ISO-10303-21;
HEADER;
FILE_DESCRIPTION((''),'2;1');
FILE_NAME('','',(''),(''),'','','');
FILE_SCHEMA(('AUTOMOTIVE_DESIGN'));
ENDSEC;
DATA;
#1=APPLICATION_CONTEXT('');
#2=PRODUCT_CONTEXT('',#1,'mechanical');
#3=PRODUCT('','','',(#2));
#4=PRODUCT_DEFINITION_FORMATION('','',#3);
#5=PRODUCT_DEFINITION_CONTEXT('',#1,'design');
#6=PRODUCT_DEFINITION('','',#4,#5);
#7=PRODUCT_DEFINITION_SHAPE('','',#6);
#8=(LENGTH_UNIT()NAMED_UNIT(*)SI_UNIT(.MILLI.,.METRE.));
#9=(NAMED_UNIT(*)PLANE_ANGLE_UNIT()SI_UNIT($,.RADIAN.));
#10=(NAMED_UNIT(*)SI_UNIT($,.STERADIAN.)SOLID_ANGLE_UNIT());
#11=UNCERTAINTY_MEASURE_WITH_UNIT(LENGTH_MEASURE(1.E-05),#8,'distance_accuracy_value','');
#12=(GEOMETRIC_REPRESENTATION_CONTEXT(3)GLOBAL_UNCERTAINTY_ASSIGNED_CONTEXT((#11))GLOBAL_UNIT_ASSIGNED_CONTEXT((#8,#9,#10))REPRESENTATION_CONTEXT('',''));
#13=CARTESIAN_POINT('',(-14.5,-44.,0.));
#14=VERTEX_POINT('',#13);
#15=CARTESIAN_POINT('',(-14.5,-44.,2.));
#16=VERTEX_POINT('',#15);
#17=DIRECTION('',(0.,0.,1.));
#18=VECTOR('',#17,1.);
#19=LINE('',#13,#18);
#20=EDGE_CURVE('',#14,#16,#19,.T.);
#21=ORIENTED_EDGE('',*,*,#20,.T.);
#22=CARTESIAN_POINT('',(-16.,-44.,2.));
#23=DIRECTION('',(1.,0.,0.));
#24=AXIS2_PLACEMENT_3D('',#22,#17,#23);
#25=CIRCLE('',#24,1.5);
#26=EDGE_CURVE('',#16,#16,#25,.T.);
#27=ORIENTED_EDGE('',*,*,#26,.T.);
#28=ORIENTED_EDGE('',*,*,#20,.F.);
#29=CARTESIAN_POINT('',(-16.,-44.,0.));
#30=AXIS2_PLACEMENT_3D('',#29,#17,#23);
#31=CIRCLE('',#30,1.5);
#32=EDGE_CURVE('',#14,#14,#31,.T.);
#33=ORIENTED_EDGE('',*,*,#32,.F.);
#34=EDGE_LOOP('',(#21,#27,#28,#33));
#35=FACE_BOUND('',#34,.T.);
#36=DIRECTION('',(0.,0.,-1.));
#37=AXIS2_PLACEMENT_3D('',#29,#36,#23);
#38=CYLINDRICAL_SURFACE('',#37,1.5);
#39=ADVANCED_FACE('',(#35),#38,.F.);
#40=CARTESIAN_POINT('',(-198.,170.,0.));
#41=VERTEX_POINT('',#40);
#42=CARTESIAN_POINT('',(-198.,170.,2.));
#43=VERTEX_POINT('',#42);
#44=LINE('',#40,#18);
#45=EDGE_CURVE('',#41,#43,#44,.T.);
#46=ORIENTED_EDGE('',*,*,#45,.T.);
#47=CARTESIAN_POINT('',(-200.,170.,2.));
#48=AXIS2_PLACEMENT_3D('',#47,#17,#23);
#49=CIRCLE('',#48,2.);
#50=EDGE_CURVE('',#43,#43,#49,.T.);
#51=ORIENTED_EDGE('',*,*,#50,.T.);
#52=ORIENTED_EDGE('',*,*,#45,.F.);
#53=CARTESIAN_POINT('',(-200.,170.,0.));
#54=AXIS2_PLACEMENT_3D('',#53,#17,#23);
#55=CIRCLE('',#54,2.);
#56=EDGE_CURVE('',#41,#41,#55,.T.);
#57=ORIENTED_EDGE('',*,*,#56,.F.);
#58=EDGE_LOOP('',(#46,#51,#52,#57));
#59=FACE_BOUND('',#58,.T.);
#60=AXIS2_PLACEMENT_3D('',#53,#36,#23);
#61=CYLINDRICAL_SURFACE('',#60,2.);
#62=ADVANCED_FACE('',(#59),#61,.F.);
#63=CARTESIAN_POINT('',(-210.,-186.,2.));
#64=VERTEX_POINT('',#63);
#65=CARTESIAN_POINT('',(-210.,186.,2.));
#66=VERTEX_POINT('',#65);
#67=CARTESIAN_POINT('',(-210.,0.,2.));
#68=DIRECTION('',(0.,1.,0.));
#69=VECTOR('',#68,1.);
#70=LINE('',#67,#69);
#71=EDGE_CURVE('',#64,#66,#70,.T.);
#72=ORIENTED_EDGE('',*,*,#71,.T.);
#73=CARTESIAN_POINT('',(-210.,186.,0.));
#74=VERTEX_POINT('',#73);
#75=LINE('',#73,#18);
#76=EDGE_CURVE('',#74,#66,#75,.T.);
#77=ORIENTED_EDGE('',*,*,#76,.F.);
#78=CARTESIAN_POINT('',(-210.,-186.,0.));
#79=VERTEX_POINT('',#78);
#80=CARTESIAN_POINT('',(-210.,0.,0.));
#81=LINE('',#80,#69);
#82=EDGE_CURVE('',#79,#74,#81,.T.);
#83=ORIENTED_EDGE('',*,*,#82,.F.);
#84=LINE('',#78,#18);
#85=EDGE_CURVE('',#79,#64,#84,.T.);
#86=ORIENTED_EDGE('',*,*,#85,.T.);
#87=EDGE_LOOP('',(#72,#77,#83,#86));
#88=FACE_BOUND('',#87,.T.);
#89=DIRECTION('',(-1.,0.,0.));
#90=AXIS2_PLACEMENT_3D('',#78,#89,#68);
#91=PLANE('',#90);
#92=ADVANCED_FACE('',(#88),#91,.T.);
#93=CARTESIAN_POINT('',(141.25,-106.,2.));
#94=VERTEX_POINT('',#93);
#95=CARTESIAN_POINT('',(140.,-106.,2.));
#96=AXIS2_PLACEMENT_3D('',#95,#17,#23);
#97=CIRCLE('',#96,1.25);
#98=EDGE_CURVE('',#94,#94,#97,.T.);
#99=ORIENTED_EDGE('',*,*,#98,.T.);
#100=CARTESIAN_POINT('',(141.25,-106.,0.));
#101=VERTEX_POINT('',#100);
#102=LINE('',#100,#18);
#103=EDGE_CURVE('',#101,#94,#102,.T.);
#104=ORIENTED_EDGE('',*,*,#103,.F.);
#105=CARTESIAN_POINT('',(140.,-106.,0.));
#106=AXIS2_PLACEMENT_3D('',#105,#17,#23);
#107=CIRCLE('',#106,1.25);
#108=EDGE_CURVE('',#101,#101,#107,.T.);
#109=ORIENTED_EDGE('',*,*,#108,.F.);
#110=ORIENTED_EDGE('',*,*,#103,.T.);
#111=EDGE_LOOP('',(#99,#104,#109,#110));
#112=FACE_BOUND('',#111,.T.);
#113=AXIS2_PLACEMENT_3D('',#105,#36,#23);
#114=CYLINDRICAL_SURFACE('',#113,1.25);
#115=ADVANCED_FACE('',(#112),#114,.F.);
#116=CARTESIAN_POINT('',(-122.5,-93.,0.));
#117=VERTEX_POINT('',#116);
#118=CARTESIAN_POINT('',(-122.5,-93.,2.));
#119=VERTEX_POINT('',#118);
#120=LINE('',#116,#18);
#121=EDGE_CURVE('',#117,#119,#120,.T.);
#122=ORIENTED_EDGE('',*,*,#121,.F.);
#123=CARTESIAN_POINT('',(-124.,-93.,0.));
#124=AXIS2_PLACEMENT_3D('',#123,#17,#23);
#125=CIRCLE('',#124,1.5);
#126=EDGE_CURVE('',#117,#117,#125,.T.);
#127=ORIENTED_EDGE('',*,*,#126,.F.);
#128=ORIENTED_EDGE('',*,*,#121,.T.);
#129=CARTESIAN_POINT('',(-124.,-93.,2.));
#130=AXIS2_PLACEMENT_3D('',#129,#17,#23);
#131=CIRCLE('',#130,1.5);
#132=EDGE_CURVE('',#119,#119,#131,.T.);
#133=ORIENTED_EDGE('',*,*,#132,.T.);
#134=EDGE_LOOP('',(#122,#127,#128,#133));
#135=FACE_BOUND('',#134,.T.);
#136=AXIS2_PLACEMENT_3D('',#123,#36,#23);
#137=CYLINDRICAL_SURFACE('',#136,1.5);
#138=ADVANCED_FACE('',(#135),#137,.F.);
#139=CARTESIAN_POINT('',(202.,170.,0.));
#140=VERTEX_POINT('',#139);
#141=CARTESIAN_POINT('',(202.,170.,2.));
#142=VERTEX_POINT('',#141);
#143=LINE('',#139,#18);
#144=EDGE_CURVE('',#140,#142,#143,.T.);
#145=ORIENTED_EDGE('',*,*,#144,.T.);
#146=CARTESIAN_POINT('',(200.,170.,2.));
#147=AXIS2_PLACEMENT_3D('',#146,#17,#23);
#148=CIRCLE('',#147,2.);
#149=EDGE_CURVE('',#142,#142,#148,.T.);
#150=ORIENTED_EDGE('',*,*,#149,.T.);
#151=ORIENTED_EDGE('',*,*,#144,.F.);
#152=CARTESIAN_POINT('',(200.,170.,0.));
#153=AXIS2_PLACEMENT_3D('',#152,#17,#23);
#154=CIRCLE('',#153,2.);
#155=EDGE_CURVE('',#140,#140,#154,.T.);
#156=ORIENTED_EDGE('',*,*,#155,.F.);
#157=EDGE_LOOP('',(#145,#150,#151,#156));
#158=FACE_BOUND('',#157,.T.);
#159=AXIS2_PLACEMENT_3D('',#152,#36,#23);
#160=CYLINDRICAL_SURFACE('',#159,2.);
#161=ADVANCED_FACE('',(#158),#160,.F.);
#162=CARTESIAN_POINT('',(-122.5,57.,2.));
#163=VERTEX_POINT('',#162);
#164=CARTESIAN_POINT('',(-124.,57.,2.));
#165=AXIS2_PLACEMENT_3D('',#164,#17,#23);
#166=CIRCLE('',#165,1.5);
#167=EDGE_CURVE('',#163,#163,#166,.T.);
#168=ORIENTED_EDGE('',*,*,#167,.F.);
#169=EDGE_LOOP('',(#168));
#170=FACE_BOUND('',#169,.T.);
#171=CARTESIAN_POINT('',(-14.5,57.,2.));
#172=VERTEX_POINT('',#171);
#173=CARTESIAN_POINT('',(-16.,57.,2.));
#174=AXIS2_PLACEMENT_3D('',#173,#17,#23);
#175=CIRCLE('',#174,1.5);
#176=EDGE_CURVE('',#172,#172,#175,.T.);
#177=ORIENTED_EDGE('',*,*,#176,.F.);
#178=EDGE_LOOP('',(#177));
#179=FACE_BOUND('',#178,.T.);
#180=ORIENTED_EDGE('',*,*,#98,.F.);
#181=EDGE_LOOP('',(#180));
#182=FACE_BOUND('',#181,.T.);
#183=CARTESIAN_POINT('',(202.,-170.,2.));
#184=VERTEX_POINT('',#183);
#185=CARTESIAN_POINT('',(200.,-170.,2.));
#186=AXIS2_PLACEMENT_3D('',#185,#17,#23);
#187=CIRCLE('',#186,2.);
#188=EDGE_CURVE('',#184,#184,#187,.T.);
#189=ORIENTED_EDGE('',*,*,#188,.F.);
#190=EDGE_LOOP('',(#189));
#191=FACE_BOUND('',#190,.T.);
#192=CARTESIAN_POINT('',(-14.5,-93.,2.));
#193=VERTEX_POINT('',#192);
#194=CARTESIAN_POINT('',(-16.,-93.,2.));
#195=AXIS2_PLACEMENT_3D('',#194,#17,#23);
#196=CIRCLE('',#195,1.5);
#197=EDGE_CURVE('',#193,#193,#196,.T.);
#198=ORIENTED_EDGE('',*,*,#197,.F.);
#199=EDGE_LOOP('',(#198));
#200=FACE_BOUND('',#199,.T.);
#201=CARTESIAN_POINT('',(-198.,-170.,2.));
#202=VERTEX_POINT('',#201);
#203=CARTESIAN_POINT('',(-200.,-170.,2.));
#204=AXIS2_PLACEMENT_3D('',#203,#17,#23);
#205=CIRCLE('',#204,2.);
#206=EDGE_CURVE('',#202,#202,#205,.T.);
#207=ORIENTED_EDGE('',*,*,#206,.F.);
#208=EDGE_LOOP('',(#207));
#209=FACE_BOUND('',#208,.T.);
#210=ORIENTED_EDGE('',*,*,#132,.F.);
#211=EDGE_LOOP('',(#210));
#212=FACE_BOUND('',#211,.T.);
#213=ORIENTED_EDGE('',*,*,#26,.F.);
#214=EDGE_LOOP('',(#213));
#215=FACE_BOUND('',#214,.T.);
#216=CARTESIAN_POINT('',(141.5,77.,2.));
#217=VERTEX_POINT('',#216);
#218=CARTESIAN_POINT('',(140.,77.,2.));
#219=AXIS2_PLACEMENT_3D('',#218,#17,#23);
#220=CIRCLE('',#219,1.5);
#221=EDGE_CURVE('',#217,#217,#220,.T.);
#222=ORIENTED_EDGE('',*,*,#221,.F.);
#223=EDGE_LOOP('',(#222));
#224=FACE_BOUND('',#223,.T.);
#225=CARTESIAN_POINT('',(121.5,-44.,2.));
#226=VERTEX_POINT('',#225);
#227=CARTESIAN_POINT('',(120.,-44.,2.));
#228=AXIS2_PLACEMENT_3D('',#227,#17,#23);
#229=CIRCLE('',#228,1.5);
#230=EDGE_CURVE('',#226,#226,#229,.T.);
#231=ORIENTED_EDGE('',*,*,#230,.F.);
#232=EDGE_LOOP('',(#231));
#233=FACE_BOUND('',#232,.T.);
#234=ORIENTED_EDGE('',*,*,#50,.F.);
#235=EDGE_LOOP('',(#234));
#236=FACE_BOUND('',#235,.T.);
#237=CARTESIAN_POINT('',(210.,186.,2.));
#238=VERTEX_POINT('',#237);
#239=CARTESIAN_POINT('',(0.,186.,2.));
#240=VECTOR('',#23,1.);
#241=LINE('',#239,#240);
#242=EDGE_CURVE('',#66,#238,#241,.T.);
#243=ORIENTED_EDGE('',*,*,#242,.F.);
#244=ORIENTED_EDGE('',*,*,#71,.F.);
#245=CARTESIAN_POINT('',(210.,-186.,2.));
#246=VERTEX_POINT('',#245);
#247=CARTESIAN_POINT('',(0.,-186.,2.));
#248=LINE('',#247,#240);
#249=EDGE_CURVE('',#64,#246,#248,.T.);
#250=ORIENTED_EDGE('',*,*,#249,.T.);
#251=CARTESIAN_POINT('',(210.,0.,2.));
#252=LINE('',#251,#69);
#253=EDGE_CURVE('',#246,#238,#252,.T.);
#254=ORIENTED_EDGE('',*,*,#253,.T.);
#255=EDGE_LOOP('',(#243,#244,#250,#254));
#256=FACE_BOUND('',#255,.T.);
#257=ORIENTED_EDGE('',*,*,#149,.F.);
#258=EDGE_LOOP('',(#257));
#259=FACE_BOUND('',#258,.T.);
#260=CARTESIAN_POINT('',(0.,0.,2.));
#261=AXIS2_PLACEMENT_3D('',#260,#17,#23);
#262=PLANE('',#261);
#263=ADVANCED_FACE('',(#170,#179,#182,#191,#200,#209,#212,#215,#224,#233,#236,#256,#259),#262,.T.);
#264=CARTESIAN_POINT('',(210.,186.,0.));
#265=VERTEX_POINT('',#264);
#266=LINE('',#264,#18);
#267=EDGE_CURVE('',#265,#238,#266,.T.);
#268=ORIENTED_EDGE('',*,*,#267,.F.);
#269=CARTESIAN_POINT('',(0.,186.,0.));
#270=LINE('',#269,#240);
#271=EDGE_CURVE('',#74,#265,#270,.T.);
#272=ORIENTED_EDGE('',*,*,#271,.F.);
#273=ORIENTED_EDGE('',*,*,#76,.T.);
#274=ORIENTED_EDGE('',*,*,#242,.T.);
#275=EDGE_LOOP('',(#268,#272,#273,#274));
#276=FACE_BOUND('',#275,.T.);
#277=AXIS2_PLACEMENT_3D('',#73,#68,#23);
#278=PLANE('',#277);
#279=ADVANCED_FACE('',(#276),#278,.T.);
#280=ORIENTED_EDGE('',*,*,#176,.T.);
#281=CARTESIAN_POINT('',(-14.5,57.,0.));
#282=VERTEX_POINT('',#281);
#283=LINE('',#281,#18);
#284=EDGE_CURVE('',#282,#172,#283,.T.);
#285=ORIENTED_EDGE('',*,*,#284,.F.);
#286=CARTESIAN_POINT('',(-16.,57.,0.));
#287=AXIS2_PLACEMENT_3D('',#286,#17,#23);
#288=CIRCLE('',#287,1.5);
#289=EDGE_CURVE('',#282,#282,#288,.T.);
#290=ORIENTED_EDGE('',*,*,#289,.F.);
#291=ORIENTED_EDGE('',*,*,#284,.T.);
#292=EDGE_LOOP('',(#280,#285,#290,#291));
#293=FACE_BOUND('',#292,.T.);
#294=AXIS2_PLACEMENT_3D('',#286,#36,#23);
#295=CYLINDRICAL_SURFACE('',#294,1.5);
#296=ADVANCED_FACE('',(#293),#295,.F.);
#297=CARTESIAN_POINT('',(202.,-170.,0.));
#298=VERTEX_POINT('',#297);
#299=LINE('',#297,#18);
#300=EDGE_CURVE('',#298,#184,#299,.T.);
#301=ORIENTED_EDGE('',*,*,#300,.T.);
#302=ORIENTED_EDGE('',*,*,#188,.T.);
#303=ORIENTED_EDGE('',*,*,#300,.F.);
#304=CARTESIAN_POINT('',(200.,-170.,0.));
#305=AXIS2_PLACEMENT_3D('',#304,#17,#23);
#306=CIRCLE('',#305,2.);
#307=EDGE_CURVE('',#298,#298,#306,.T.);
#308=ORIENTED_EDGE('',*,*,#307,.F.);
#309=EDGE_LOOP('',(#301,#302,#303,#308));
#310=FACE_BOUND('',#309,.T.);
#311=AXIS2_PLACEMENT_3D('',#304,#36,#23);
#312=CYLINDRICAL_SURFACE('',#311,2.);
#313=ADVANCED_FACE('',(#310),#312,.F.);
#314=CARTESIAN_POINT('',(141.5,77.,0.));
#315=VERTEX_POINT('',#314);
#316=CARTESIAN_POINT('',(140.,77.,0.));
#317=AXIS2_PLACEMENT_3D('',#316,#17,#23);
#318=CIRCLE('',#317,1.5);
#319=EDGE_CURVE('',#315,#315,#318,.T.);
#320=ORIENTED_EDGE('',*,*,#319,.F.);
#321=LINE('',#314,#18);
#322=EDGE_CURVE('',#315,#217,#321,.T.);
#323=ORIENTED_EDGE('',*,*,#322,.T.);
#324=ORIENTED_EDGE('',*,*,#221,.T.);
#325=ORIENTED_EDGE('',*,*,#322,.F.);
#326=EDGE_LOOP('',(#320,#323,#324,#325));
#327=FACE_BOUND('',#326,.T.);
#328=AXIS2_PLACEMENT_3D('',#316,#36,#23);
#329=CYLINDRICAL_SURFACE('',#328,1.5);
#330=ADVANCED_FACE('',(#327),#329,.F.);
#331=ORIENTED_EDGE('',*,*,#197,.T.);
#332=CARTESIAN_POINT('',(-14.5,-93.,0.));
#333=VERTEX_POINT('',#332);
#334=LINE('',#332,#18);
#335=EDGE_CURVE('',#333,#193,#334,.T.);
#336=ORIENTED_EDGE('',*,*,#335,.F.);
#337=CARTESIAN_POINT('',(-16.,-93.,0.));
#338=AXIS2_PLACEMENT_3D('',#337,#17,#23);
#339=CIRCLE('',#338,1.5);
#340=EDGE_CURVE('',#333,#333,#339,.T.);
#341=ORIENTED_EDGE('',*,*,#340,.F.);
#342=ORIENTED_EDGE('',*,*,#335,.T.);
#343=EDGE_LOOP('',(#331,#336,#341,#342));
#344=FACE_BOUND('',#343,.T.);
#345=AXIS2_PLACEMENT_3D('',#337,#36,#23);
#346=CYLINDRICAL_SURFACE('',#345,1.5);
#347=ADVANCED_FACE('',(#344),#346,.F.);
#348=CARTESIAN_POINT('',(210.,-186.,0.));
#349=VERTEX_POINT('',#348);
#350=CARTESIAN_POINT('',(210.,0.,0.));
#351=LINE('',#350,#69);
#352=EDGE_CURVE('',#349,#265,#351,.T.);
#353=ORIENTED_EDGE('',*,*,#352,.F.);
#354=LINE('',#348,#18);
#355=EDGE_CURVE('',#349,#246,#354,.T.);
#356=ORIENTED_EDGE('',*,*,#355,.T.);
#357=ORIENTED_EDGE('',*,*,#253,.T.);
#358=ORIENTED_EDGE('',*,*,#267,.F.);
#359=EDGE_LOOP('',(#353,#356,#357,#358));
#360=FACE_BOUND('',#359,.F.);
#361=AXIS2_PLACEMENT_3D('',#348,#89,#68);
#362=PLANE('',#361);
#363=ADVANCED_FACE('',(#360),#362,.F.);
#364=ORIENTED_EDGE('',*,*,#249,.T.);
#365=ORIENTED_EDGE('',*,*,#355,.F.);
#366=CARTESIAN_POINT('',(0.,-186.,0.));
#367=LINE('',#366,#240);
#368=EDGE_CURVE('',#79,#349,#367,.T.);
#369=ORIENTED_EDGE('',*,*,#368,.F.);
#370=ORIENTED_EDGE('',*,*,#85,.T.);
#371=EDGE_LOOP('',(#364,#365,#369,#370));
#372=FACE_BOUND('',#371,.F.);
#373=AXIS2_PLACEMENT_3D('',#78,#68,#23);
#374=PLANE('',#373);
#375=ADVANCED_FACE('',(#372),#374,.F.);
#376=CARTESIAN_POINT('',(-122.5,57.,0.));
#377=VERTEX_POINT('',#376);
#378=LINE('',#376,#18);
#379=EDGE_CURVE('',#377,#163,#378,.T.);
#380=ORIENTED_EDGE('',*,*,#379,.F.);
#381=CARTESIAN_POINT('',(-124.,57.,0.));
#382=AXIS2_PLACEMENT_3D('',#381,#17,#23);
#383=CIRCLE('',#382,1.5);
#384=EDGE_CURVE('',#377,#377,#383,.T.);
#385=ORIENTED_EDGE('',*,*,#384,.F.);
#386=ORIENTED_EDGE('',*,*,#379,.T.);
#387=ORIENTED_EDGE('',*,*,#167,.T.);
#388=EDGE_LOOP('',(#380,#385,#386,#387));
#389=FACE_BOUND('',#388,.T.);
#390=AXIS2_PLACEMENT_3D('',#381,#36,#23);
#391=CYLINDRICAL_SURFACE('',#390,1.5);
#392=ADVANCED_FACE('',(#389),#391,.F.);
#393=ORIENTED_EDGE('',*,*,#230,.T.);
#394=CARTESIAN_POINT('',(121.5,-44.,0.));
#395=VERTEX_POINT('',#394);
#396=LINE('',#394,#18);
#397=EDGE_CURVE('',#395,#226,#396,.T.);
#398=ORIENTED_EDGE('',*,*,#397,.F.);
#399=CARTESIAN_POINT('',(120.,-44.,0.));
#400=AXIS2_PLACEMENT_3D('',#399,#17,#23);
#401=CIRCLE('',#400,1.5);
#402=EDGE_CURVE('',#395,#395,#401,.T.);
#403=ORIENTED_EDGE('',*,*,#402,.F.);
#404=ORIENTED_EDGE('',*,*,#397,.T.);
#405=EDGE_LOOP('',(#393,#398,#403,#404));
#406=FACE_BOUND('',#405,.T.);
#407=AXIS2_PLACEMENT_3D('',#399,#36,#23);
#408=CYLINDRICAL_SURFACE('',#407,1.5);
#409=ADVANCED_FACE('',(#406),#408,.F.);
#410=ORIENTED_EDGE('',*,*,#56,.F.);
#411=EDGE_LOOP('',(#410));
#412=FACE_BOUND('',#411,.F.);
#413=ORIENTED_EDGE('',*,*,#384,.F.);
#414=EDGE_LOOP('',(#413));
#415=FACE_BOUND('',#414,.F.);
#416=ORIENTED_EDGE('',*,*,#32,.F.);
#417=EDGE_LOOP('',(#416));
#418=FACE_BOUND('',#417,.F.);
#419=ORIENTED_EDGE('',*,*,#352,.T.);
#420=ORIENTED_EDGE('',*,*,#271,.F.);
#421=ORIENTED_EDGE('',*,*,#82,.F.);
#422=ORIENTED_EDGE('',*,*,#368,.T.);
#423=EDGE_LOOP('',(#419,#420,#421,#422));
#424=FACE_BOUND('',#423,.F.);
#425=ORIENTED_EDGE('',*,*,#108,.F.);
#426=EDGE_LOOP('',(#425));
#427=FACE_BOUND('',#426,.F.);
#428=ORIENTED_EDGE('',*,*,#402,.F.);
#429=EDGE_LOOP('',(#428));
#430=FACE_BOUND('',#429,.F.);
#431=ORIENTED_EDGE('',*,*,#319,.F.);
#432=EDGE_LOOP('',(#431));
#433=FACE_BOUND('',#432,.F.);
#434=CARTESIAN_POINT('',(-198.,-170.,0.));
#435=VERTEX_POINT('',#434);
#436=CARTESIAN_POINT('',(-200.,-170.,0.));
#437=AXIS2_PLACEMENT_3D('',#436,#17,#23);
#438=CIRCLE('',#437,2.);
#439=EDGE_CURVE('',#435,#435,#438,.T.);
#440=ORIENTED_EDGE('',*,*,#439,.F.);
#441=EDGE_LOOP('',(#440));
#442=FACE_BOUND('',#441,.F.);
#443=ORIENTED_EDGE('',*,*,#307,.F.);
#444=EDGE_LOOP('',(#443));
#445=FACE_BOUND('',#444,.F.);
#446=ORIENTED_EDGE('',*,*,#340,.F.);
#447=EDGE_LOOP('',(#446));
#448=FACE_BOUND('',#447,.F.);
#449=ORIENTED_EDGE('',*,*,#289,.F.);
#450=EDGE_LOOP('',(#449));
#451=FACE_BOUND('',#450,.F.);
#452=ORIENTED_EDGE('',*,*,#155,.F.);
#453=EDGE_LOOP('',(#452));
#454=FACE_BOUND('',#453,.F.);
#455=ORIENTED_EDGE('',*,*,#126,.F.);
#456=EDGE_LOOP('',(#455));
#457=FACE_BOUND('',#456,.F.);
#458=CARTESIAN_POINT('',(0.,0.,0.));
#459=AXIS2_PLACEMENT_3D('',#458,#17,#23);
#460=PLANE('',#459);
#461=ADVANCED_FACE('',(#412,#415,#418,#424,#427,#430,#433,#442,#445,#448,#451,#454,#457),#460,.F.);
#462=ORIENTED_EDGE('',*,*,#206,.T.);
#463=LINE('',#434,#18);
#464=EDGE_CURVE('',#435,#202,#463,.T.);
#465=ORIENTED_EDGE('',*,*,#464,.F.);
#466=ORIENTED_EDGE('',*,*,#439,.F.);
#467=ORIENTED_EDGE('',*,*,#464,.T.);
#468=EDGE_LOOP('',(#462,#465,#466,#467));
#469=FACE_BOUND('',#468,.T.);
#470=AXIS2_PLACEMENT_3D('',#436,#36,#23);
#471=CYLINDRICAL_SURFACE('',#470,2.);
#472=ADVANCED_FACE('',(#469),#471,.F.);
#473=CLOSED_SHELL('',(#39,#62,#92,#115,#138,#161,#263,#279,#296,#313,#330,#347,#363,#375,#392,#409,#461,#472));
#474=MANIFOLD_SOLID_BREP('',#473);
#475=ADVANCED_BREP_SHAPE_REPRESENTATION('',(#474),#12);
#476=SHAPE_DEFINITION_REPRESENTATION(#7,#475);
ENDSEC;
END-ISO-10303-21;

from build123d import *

# Parameters (mm, degrees)
F0_W     = 420
F0_H     = 372
F0_R     = 2
F0_R_2   = 1.5
F0_R_3   = 1.25
F1_DEPTH = 2


with BuildPart() as f1:
    # F0 (on Top) → F1 (new body)
    with BuildSketch(Plane.XY):
        Rectangle(F0_W, F0_H)
        with Locations((-200, -170)):
            Circle(F0_R, mode=Mode.SUBTRACT)
        with Locations((-124, -93)):
            Circle(F0_R_2, mode=Mode.SUBTRACT)
        with Locations((-16, -93)):
            Circle(F0_R_2, mode=Mode.SUBTRACT)
        with Locations((-16, -44)):
            Circle(F0_R_2, mode=Mode.SUBTRACT)
        with Locations((200, -170)):
            Circle(F0_R, mode=Mode.SUBTRACT)
        with Locations((140, -106)):
            Circle(F0_R_3, mode=Mode.SUBTRACT)
        with Locations((120, -44)):
            Circle(F0_R_2, mode=Mode.SUBTRACT)
        with Locations((-124, 57)):
            Circle(F0_R_2, mode=Mode.SUBTRACT)
        with Locations((-16, 57)):
            Circle(F0_R_2, mode=Mode.SUBTRACT)
        with Locations((-200, 170)):
            Circle(F0_R, mode=Mode.SUBTRACT)
        with Locations((140, 77)):
            Circle(F0_R_2, mode=Mode.SUBTRACT)
        with Locations((200, 170)):
            Circle(F0_R, mode=Mode.SUBTRACT)
    extrude(amount=F1_DEPTH)


solid = f1.part
